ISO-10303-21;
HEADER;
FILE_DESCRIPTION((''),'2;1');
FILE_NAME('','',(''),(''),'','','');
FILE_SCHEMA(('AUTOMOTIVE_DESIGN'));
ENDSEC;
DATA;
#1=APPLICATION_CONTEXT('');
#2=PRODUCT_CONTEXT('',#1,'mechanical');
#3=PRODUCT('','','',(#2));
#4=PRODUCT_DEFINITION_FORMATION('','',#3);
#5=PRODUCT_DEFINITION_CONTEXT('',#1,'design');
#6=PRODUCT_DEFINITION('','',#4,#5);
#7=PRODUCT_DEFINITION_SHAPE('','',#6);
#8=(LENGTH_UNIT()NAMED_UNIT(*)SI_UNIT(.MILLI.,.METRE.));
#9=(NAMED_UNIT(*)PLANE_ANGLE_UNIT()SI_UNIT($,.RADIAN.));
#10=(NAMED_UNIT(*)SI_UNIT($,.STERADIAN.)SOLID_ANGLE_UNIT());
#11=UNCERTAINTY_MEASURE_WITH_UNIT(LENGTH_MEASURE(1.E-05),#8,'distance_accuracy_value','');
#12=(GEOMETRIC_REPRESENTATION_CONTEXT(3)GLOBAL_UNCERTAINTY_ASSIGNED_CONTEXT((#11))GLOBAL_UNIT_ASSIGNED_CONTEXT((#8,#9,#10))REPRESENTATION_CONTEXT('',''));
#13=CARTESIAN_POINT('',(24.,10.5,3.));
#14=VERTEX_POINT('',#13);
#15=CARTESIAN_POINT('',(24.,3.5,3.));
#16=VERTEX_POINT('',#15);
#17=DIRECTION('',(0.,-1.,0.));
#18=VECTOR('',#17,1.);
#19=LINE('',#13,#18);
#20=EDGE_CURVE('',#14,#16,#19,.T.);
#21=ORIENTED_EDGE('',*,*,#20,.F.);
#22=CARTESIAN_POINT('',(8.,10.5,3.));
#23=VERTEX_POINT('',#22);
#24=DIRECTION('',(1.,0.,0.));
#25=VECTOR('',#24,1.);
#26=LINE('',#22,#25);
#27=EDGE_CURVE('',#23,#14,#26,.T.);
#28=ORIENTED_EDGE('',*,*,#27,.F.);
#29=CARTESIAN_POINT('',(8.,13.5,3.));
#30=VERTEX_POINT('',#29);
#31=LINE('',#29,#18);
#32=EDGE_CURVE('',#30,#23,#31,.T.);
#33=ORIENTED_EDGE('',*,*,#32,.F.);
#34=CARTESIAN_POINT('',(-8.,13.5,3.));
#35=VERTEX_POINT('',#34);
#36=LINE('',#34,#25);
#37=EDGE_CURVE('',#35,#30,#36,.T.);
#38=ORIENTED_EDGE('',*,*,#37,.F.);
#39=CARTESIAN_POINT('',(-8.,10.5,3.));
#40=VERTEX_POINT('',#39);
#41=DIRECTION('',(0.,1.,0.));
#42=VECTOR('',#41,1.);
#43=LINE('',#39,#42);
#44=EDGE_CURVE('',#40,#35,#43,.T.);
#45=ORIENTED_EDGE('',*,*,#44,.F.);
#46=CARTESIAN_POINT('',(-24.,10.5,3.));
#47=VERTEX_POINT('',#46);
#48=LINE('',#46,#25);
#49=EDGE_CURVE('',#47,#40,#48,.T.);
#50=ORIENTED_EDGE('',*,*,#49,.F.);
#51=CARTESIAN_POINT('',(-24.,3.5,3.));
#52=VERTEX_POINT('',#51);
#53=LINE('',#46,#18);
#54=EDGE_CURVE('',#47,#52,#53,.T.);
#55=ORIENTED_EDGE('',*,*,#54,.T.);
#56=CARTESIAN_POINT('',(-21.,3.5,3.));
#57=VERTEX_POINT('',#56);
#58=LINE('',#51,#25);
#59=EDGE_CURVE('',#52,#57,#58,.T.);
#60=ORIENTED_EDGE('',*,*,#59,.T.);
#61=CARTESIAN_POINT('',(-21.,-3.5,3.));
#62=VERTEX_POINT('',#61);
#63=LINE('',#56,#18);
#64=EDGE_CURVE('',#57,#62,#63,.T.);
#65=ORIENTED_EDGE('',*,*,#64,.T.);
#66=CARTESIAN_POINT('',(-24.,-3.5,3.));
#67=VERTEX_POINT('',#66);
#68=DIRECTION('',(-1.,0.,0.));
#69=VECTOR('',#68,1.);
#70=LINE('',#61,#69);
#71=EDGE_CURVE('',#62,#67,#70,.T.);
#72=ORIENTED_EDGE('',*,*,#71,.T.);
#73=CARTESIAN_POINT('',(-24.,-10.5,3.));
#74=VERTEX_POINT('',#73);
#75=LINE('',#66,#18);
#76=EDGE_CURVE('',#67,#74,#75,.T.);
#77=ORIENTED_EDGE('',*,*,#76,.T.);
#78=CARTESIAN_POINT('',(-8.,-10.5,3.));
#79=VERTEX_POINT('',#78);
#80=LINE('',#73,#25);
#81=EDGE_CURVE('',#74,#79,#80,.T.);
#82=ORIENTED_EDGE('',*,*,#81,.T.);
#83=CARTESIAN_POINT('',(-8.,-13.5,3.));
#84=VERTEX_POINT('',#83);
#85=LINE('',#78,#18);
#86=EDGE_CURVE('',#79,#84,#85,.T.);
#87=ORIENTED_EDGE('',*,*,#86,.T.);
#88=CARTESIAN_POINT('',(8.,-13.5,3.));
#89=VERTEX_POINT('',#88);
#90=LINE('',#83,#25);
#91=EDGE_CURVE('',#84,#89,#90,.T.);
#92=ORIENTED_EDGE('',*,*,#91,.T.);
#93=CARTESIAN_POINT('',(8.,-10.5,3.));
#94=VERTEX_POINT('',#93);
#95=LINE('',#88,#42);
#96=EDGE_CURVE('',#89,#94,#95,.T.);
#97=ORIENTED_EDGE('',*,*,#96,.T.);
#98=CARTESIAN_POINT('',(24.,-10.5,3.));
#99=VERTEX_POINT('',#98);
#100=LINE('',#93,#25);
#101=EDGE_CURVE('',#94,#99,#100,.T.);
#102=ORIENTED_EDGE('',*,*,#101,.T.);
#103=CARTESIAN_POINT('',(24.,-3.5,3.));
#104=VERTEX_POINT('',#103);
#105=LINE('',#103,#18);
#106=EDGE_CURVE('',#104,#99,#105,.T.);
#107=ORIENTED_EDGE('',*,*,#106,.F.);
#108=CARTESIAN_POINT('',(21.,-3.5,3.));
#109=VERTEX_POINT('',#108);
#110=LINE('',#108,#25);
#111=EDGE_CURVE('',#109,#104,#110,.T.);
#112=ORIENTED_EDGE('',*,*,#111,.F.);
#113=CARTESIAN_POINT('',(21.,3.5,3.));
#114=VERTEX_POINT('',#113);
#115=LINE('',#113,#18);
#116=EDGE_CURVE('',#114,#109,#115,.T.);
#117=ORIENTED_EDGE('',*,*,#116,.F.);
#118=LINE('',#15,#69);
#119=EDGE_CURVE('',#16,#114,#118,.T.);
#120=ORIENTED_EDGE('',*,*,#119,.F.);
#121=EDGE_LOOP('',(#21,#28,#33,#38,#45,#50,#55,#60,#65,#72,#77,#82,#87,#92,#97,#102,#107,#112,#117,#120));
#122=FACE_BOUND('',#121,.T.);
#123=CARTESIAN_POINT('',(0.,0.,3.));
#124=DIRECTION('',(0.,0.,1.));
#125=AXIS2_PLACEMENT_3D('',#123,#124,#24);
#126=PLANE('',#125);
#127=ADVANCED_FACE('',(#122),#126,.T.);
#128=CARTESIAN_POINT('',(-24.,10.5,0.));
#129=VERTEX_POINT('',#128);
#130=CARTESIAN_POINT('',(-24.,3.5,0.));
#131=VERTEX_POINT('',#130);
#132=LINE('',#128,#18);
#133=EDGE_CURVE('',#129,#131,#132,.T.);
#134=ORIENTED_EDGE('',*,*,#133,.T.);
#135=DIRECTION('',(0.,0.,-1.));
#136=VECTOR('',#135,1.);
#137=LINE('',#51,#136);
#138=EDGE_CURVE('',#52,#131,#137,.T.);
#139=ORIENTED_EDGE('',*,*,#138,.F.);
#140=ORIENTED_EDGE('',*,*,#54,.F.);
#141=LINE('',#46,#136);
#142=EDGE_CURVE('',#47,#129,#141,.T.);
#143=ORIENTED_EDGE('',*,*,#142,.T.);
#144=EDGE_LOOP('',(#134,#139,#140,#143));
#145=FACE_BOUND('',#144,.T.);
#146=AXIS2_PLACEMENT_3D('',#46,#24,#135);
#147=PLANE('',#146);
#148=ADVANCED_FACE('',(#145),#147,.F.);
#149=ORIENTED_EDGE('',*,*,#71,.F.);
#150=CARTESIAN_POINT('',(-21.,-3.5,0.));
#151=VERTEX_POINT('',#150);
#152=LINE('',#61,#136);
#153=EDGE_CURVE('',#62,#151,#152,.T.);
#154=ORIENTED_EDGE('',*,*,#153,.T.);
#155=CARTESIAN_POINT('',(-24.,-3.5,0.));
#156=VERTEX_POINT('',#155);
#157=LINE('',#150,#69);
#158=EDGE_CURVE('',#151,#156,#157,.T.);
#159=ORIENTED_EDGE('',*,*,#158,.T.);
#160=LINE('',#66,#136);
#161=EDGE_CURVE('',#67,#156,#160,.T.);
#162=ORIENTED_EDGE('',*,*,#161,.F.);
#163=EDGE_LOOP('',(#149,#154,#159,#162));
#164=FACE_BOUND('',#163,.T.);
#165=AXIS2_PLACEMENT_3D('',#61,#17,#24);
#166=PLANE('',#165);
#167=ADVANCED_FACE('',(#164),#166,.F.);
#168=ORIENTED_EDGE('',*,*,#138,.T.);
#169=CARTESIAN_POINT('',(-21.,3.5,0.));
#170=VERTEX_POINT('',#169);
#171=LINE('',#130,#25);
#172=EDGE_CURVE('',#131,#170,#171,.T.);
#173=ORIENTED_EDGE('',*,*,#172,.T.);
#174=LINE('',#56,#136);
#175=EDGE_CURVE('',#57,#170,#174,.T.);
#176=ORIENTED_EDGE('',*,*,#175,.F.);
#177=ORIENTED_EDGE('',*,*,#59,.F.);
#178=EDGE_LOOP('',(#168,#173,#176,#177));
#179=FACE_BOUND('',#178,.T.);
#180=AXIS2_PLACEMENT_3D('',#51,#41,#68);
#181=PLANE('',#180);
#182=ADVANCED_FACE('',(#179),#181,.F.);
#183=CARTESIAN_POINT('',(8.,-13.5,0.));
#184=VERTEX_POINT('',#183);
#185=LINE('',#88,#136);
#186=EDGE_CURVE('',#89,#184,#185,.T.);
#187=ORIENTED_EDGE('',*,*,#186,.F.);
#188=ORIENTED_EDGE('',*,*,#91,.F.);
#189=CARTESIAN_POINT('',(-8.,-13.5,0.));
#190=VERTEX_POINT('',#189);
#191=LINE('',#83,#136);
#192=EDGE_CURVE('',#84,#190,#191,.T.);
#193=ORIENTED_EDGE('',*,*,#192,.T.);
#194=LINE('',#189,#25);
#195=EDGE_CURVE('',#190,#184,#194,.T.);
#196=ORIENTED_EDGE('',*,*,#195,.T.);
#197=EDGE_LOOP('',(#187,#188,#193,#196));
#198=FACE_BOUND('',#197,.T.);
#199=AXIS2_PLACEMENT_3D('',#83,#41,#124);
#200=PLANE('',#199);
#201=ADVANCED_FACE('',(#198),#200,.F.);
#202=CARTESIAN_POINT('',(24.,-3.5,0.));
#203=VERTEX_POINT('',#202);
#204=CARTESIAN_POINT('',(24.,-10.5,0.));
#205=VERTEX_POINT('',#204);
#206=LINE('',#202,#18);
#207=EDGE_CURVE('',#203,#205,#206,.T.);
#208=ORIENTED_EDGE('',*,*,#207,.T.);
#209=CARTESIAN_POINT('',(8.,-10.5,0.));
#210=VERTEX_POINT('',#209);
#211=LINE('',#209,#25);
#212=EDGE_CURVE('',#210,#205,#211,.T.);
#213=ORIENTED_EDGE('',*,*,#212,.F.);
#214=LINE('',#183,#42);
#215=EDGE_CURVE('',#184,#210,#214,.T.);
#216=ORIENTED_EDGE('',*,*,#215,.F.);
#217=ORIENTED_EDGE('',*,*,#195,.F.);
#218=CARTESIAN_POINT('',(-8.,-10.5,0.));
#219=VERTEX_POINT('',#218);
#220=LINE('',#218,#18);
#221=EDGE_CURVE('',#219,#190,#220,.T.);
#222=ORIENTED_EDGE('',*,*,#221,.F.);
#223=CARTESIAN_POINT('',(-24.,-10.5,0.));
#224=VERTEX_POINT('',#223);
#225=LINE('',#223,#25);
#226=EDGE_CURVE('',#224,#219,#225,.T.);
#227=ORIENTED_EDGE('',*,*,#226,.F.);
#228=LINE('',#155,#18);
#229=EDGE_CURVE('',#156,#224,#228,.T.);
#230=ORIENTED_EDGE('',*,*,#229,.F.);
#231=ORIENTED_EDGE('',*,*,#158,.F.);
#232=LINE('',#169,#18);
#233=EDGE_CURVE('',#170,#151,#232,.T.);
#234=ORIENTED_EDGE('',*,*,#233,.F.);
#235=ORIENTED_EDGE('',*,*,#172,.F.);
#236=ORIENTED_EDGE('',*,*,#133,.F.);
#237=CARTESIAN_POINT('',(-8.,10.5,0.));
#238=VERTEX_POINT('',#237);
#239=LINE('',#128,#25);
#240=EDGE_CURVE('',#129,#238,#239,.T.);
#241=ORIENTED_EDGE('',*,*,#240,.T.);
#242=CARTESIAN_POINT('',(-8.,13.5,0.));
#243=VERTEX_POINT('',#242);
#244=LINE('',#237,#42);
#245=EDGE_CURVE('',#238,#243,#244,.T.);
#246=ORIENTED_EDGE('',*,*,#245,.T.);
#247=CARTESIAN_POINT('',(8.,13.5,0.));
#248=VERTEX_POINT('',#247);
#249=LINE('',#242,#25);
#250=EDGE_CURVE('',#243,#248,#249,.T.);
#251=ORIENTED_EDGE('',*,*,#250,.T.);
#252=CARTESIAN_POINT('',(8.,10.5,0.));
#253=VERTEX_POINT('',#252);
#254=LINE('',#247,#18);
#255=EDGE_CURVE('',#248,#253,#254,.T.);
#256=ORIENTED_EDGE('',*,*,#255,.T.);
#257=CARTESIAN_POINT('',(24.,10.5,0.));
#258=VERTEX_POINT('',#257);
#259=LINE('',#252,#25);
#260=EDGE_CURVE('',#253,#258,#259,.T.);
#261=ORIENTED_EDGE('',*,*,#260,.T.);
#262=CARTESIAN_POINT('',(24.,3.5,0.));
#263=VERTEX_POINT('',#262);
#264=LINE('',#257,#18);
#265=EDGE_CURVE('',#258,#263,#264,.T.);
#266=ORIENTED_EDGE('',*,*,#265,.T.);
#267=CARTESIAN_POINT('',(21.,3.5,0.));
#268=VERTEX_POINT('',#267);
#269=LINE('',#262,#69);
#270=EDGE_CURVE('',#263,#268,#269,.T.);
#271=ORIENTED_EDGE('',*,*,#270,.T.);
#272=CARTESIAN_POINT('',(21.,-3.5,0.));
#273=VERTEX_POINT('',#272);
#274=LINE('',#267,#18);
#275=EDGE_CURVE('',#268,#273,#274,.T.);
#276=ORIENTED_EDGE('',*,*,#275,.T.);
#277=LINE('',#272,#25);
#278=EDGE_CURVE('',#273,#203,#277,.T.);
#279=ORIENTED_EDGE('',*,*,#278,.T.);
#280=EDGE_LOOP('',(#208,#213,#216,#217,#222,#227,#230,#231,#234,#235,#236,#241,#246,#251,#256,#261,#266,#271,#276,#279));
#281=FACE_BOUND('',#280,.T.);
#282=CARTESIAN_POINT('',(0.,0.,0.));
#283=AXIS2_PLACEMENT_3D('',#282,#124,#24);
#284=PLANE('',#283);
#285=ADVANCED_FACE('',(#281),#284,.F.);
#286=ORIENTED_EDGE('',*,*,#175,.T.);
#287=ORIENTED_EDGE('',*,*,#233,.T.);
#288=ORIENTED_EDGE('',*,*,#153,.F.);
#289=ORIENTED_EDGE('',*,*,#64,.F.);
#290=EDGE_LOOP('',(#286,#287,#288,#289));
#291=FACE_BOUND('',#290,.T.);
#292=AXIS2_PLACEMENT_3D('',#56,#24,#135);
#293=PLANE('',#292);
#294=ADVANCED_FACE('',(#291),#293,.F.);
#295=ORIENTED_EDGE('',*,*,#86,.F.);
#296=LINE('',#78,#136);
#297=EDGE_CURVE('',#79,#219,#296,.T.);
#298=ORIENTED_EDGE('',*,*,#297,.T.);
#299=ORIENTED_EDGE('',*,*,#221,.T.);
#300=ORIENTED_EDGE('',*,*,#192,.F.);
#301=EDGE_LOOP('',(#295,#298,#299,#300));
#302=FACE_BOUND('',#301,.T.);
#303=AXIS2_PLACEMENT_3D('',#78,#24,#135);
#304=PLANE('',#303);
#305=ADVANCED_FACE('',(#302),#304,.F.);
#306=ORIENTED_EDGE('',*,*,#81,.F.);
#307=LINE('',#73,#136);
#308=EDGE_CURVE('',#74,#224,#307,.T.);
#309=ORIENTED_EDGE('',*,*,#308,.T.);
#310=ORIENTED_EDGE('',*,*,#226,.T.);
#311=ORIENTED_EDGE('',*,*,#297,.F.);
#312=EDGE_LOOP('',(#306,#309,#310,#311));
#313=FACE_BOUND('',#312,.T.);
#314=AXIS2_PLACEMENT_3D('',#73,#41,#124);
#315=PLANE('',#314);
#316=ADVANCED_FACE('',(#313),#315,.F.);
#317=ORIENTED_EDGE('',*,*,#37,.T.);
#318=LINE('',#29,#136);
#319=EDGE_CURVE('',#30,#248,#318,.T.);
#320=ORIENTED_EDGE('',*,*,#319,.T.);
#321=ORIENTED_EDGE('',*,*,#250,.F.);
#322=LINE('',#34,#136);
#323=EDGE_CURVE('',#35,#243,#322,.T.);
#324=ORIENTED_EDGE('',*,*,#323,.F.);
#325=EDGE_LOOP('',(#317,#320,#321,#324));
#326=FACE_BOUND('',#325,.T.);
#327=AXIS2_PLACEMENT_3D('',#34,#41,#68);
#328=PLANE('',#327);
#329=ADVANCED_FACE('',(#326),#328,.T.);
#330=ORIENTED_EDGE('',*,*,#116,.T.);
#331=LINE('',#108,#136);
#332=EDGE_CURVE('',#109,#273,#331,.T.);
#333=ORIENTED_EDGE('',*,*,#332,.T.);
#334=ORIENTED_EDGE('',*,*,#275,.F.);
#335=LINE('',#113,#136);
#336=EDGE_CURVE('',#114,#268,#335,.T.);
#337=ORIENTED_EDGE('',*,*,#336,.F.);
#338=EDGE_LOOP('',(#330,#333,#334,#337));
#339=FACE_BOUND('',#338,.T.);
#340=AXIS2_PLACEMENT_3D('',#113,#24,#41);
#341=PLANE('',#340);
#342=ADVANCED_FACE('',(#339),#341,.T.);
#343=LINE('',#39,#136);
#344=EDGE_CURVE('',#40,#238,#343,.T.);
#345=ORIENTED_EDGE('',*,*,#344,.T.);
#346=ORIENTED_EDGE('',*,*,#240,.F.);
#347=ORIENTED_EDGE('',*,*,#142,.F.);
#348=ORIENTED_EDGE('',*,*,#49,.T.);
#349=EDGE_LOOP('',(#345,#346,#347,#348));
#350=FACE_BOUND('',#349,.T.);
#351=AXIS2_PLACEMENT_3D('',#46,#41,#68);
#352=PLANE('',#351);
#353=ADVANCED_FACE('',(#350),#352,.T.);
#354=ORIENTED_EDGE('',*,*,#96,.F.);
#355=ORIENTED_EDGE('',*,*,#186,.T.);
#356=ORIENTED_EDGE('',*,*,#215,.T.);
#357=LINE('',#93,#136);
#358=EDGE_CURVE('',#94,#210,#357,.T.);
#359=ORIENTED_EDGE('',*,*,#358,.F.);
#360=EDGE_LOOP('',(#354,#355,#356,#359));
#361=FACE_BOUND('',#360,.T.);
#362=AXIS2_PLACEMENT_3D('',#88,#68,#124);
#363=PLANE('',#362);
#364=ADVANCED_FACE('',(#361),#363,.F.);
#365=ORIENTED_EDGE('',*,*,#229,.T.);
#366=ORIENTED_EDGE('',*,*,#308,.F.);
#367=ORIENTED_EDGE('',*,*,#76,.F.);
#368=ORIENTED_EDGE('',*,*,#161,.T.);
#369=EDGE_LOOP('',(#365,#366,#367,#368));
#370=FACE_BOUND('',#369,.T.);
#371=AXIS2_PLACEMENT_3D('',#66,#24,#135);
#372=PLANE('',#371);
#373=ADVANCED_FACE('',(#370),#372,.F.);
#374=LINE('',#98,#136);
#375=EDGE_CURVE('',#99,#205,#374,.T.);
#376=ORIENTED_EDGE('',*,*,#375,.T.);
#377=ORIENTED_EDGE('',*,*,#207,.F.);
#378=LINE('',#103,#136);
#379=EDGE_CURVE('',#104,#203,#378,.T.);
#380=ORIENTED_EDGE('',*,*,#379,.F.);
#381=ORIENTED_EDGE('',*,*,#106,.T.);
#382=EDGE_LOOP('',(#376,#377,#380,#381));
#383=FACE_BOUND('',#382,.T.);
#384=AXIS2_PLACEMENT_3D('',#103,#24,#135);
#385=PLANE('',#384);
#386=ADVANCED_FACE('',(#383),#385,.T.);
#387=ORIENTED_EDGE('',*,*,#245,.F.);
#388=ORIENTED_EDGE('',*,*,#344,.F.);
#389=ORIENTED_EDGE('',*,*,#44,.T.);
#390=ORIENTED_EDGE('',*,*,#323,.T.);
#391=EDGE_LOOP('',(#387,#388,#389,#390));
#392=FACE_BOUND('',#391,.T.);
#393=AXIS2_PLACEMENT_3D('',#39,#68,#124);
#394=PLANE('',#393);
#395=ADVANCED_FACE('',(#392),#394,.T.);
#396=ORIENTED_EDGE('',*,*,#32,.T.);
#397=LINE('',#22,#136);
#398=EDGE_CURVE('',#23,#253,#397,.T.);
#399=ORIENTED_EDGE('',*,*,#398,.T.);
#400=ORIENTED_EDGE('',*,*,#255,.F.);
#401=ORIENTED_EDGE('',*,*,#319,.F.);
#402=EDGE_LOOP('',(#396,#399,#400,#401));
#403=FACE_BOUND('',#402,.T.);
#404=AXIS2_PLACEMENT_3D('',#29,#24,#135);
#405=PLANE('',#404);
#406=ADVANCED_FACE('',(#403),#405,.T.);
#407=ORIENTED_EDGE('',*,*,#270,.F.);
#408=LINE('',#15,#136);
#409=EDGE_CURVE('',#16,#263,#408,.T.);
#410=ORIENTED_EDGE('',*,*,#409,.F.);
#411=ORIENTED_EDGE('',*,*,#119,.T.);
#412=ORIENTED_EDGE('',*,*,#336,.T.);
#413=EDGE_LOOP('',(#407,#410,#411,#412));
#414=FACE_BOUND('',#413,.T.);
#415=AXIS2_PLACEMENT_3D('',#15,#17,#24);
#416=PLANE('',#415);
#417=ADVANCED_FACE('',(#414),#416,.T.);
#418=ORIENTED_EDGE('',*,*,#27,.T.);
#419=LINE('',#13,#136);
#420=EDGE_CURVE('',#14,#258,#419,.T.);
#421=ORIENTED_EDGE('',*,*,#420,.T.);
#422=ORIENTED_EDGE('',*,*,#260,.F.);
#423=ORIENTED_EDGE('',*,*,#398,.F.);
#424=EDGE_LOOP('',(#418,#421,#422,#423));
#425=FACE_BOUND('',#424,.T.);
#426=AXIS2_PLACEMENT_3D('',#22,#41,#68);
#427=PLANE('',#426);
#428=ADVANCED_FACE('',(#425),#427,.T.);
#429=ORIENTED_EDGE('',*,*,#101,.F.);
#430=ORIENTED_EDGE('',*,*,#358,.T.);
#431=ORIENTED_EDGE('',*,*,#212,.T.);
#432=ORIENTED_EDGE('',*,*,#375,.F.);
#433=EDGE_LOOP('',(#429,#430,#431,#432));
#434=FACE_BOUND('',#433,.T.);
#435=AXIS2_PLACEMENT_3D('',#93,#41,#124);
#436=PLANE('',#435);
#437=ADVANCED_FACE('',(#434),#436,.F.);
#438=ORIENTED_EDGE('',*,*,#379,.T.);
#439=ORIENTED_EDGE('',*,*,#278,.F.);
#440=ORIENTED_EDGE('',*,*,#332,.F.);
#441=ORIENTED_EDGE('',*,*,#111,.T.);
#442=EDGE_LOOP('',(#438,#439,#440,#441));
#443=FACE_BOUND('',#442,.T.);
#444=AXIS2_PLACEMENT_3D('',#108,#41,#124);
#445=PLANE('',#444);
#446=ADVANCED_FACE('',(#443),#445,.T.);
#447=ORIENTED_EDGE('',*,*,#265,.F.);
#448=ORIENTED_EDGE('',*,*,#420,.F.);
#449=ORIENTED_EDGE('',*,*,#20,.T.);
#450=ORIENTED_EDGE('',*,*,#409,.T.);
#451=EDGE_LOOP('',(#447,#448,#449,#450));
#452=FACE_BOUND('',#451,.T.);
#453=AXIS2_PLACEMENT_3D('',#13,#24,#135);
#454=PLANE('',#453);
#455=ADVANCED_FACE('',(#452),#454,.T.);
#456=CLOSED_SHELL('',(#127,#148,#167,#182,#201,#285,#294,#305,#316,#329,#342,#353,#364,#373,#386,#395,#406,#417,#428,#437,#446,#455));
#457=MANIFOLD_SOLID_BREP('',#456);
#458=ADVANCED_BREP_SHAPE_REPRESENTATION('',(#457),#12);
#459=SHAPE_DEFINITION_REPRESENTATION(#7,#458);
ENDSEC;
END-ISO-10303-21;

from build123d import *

# Parameters (mm, degrees)
BOSS_EXTRUDE1_DEPTH = 3


with BuildPart() as part:
    # Sketch1 → Boss-Extrude1 (new body)
    with BuildSketch(Plane.XY):
        Polygon((-24, 10.5), (-8, 10.5), (-8, 13.5), (8, 13.5), (8, 10.5), (24, 10.5), (24, 3.5), (21, 3.5), (21, -3.5), (24, -3.5), (24, -10.5), (8, -10.5), (8, -13.5), (-8, -13.5), (-8, -10.5), (-24, -10.5), (-24, -3.5), (-21, -3.5), (-21, 3.5), (-24, 3.5), align=None)
    extrude(amount=BOSS_EXTRUDE1_DEPTH)


solid = part.part
